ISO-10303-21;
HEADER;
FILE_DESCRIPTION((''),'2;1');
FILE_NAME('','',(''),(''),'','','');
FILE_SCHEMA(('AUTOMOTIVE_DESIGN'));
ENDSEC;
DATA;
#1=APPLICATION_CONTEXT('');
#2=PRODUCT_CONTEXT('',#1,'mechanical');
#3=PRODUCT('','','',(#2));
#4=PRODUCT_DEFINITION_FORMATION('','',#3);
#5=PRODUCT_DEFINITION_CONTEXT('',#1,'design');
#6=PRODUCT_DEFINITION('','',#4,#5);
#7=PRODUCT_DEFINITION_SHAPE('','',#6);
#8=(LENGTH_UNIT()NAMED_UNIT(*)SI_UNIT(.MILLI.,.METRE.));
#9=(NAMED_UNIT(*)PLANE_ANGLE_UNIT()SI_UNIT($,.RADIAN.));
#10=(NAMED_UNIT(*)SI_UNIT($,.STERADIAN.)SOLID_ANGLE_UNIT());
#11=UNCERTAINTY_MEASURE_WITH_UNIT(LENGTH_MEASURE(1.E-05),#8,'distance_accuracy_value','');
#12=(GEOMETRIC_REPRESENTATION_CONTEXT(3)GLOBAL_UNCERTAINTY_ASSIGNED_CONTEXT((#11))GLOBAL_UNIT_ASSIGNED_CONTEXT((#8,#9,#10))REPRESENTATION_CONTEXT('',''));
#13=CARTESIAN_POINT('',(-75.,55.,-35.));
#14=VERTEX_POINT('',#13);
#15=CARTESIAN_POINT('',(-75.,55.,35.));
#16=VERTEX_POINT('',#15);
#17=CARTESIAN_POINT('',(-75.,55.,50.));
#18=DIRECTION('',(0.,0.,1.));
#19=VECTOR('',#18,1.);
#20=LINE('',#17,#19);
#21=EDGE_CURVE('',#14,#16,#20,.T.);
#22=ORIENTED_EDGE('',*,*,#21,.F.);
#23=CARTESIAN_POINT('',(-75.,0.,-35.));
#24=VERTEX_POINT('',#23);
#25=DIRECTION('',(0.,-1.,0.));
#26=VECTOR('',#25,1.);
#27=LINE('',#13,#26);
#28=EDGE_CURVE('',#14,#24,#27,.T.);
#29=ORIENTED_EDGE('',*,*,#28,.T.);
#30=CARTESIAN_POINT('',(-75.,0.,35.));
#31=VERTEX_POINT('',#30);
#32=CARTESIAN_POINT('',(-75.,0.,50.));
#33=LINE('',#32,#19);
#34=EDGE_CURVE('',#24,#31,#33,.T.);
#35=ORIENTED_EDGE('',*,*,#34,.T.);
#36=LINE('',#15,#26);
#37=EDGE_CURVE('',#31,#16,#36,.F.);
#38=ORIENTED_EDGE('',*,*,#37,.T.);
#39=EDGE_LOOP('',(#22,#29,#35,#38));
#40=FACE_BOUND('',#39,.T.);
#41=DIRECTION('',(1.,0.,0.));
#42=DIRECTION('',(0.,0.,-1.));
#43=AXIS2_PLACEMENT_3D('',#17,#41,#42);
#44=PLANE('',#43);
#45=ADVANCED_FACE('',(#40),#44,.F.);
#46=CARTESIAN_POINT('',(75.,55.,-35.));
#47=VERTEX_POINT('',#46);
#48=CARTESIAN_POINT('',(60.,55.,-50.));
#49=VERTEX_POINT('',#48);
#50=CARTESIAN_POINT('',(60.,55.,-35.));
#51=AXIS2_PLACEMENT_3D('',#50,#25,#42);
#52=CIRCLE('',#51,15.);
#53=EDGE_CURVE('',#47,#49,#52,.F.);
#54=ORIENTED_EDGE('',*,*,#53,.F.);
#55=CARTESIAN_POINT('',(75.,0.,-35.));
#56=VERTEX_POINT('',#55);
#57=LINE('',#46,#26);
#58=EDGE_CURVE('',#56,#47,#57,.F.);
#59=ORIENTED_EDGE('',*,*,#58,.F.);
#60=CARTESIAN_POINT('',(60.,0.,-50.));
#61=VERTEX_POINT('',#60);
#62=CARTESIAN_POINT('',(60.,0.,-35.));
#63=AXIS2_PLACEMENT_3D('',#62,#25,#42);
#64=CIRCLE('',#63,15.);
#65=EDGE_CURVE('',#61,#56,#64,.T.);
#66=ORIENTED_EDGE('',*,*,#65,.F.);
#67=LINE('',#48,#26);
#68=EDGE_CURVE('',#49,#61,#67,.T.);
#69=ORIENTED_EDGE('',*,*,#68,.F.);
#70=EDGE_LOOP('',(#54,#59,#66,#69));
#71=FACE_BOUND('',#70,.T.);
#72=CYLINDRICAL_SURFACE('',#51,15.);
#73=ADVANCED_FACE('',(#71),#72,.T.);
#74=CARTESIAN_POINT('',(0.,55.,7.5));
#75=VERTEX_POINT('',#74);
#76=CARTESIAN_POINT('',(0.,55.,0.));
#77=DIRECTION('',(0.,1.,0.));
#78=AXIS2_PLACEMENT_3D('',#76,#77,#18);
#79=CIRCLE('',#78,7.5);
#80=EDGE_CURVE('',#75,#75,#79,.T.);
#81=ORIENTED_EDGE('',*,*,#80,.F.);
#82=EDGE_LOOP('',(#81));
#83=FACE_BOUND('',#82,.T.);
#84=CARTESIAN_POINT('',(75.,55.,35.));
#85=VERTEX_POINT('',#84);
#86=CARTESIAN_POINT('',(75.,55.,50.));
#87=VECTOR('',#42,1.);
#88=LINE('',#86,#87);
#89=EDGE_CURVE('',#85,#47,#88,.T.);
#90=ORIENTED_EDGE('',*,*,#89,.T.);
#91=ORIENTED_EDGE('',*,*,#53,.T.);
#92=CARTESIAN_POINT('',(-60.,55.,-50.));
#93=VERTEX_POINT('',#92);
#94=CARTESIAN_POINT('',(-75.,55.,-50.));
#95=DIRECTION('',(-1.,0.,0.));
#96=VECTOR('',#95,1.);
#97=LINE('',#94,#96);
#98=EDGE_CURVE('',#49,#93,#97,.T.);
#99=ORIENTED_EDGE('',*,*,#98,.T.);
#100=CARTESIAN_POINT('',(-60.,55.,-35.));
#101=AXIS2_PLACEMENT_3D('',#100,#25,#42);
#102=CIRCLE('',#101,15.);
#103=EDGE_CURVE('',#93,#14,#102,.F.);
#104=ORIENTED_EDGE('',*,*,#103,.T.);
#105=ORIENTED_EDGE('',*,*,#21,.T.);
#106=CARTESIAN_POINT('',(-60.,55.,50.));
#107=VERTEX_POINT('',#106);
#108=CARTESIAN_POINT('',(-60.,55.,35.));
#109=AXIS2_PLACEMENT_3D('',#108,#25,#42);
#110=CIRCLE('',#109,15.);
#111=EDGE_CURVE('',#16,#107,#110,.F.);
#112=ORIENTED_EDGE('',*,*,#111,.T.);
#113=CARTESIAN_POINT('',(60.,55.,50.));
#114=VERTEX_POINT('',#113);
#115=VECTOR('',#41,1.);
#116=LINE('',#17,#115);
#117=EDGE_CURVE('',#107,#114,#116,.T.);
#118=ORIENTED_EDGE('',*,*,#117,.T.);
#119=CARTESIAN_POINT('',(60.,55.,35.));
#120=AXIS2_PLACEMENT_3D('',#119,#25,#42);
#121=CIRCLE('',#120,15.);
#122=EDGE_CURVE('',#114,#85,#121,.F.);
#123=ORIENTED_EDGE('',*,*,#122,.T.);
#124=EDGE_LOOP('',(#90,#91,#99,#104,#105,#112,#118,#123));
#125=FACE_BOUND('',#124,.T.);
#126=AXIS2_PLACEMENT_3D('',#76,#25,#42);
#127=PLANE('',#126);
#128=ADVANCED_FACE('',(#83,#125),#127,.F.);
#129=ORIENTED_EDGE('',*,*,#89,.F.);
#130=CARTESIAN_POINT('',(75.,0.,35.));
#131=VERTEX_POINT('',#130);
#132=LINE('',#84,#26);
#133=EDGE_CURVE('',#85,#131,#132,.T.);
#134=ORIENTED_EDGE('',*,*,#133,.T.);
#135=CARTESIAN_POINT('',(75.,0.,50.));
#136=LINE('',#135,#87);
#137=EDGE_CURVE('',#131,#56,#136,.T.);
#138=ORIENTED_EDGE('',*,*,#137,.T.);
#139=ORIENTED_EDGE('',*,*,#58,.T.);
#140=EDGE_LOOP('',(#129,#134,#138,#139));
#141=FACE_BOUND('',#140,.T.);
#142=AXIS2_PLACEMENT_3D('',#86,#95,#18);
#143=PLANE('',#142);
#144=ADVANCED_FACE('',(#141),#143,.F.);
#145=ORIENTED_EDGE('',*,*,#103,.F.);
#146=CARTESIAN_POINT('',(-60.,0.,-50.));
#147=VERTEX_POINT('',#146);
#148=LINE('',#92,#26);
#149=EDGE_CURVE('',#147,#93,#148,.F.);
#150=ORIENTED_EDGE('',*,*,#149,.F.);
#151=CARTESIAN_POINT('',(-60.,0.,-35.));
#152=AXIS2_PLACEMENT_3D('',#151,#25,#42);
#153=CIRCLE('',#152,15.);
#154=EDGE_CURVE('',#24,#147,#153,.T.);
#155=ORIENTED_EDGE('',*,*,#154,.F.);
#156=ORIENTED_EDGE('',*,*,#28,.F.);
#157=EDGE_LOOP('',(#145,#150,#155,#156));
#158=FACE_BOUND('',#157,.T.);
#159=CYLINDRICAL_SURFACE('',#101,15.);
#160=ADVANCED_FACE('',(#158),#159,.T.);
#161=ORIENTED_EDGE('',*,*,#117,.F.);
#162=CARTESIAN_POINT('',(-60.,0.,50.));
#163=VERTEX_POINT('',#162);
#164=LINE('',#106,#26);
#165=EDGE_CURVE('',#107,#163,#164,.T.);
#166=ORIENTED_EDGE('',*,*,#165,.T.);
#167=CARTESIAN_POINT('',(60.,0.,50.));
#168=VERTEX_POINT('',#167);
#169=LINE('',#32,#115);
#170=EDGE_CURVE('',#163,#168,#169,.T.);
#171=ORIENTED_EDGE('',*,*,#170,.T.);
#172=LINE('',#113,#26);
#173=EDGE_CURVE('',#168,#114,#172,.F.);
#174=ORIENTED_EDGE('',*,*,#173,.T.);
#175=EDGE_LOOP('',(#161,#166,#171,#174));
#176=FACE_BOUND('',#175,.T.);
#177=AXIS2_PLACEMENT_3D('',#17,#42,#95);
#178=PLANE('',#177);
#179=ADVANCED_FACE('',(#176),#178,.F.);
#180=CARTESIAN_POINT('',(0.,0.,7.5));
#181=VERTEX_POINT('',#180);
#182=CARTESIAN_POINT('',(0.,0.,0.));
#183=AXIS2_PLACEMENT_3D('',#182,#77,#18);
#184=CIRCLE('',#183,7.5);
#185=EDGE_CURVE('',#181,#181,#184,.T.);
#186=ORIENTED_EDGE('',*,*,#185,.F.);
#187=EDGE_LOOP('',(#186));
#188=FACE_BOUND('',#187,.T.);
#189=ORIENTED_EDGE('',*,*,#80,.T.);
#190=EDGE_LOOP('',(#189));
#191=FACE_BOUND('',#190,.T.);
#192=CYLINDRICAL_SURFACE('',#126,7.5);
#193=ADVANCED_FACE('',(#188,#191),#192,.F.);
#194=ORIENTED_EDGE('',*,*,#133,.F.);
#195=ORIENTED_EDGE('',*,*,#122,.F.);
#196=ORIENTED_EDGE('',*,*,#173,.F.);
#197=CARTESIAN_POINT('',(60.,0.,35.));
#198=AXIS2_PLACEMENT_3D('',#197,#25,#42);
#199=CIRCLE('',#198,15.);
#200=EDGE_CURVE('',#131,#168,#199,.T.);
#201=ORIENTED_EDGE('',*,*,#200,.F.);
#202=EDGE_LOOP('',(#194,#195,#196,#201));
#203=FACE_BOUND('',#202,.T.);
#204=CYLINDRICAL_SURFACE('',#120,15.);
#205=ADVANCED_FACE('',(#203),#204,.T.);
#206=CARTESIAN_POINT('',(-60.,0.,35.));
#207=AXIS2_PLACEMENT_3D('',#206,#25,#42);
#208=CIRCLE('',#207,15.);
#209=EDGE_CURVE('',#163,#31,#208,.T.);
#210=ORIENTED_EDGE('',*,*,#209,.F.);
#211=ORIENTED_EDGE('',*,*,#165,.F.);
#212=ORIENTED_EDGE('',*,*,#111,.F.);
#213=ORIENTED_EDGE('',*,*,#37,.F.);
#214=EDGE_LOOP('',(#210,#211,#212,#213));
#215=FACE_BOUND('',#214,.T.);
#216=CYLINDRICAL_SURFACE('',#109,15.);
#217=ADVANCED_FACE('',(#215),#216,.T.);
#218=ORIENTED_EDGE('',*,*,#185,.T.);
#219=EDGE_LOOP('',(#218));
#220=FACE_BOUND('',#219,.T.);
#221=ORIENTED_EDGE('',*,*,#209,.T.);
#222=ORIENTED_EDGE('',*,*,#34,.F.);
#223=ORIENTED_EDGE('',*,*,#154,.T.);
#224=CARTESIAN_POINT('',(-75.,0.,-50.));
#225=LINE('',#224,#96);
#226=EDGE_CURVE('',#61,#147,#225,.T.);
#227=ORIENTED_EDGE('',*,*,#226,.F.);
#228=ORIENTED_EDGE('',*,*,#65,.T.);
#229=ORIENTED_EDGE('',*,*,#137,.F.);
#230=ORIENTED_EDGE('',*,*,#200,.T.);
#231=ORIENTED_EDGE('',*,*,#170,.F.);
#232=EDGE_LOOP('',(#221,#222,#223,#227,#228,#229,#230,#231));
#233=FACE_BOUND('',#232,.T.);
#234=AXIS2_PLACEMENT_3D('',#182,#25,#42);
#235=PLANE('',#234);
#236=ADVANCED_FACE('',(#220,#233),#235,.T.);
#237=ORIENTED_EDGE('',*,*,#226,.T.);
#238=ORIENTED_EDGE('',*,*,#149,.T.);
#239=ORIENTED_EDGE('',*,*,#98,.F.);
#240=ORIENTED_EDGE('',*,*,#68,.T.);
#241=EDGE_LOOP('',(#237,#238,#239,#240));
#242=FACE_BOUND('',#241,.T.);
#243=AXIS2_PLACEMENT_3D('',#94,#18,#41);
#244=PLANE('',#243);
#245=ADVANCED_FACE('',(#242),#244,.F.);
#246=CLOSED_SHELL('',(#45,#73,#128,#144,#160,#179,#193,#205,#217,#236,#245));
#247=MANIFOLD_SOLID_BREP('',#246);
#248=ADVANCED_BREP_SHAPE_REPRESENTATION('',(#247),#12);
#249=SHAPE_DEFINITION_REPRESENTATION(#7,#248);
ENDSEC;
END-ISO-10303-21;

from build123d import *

# Parameters (mm, degrees)
SKETCH1_W           = 150
SKETCH1_H           = 100
SKETCH1_R           = 7.5
BOSS_EXTRUDE1_DEPTH = 55
FILLET1_R           = 15


with BuildPart() as part:
    # Sketch1 → Boss-Extrude1 (new body)
    with BuildSketch(Plane(origin=(0, 0, 0), x_dir=(1, 0, 0), z_dir=(0, 1, 0))):
        Rectangle(SKETCH1_W, SKETCH1_H)
        Circle(SKETCH1_R, mode=Mode.SUBTRACT)
    extrude(amount=BOSS_EXTRUDE1_DEPTH)

    # Fillet1
    fillet1_edges = [part.edges().sort_by_distance(p)[0] for p in [
        (75, 27.5, 50),
        (-75, 27.5, 50),
        (-75, 27.5, -50),
        (75, 27.5, -50),
    ]]
    fillet(fillet1_edges, radius=FILLET1_R)


solid = part.part
